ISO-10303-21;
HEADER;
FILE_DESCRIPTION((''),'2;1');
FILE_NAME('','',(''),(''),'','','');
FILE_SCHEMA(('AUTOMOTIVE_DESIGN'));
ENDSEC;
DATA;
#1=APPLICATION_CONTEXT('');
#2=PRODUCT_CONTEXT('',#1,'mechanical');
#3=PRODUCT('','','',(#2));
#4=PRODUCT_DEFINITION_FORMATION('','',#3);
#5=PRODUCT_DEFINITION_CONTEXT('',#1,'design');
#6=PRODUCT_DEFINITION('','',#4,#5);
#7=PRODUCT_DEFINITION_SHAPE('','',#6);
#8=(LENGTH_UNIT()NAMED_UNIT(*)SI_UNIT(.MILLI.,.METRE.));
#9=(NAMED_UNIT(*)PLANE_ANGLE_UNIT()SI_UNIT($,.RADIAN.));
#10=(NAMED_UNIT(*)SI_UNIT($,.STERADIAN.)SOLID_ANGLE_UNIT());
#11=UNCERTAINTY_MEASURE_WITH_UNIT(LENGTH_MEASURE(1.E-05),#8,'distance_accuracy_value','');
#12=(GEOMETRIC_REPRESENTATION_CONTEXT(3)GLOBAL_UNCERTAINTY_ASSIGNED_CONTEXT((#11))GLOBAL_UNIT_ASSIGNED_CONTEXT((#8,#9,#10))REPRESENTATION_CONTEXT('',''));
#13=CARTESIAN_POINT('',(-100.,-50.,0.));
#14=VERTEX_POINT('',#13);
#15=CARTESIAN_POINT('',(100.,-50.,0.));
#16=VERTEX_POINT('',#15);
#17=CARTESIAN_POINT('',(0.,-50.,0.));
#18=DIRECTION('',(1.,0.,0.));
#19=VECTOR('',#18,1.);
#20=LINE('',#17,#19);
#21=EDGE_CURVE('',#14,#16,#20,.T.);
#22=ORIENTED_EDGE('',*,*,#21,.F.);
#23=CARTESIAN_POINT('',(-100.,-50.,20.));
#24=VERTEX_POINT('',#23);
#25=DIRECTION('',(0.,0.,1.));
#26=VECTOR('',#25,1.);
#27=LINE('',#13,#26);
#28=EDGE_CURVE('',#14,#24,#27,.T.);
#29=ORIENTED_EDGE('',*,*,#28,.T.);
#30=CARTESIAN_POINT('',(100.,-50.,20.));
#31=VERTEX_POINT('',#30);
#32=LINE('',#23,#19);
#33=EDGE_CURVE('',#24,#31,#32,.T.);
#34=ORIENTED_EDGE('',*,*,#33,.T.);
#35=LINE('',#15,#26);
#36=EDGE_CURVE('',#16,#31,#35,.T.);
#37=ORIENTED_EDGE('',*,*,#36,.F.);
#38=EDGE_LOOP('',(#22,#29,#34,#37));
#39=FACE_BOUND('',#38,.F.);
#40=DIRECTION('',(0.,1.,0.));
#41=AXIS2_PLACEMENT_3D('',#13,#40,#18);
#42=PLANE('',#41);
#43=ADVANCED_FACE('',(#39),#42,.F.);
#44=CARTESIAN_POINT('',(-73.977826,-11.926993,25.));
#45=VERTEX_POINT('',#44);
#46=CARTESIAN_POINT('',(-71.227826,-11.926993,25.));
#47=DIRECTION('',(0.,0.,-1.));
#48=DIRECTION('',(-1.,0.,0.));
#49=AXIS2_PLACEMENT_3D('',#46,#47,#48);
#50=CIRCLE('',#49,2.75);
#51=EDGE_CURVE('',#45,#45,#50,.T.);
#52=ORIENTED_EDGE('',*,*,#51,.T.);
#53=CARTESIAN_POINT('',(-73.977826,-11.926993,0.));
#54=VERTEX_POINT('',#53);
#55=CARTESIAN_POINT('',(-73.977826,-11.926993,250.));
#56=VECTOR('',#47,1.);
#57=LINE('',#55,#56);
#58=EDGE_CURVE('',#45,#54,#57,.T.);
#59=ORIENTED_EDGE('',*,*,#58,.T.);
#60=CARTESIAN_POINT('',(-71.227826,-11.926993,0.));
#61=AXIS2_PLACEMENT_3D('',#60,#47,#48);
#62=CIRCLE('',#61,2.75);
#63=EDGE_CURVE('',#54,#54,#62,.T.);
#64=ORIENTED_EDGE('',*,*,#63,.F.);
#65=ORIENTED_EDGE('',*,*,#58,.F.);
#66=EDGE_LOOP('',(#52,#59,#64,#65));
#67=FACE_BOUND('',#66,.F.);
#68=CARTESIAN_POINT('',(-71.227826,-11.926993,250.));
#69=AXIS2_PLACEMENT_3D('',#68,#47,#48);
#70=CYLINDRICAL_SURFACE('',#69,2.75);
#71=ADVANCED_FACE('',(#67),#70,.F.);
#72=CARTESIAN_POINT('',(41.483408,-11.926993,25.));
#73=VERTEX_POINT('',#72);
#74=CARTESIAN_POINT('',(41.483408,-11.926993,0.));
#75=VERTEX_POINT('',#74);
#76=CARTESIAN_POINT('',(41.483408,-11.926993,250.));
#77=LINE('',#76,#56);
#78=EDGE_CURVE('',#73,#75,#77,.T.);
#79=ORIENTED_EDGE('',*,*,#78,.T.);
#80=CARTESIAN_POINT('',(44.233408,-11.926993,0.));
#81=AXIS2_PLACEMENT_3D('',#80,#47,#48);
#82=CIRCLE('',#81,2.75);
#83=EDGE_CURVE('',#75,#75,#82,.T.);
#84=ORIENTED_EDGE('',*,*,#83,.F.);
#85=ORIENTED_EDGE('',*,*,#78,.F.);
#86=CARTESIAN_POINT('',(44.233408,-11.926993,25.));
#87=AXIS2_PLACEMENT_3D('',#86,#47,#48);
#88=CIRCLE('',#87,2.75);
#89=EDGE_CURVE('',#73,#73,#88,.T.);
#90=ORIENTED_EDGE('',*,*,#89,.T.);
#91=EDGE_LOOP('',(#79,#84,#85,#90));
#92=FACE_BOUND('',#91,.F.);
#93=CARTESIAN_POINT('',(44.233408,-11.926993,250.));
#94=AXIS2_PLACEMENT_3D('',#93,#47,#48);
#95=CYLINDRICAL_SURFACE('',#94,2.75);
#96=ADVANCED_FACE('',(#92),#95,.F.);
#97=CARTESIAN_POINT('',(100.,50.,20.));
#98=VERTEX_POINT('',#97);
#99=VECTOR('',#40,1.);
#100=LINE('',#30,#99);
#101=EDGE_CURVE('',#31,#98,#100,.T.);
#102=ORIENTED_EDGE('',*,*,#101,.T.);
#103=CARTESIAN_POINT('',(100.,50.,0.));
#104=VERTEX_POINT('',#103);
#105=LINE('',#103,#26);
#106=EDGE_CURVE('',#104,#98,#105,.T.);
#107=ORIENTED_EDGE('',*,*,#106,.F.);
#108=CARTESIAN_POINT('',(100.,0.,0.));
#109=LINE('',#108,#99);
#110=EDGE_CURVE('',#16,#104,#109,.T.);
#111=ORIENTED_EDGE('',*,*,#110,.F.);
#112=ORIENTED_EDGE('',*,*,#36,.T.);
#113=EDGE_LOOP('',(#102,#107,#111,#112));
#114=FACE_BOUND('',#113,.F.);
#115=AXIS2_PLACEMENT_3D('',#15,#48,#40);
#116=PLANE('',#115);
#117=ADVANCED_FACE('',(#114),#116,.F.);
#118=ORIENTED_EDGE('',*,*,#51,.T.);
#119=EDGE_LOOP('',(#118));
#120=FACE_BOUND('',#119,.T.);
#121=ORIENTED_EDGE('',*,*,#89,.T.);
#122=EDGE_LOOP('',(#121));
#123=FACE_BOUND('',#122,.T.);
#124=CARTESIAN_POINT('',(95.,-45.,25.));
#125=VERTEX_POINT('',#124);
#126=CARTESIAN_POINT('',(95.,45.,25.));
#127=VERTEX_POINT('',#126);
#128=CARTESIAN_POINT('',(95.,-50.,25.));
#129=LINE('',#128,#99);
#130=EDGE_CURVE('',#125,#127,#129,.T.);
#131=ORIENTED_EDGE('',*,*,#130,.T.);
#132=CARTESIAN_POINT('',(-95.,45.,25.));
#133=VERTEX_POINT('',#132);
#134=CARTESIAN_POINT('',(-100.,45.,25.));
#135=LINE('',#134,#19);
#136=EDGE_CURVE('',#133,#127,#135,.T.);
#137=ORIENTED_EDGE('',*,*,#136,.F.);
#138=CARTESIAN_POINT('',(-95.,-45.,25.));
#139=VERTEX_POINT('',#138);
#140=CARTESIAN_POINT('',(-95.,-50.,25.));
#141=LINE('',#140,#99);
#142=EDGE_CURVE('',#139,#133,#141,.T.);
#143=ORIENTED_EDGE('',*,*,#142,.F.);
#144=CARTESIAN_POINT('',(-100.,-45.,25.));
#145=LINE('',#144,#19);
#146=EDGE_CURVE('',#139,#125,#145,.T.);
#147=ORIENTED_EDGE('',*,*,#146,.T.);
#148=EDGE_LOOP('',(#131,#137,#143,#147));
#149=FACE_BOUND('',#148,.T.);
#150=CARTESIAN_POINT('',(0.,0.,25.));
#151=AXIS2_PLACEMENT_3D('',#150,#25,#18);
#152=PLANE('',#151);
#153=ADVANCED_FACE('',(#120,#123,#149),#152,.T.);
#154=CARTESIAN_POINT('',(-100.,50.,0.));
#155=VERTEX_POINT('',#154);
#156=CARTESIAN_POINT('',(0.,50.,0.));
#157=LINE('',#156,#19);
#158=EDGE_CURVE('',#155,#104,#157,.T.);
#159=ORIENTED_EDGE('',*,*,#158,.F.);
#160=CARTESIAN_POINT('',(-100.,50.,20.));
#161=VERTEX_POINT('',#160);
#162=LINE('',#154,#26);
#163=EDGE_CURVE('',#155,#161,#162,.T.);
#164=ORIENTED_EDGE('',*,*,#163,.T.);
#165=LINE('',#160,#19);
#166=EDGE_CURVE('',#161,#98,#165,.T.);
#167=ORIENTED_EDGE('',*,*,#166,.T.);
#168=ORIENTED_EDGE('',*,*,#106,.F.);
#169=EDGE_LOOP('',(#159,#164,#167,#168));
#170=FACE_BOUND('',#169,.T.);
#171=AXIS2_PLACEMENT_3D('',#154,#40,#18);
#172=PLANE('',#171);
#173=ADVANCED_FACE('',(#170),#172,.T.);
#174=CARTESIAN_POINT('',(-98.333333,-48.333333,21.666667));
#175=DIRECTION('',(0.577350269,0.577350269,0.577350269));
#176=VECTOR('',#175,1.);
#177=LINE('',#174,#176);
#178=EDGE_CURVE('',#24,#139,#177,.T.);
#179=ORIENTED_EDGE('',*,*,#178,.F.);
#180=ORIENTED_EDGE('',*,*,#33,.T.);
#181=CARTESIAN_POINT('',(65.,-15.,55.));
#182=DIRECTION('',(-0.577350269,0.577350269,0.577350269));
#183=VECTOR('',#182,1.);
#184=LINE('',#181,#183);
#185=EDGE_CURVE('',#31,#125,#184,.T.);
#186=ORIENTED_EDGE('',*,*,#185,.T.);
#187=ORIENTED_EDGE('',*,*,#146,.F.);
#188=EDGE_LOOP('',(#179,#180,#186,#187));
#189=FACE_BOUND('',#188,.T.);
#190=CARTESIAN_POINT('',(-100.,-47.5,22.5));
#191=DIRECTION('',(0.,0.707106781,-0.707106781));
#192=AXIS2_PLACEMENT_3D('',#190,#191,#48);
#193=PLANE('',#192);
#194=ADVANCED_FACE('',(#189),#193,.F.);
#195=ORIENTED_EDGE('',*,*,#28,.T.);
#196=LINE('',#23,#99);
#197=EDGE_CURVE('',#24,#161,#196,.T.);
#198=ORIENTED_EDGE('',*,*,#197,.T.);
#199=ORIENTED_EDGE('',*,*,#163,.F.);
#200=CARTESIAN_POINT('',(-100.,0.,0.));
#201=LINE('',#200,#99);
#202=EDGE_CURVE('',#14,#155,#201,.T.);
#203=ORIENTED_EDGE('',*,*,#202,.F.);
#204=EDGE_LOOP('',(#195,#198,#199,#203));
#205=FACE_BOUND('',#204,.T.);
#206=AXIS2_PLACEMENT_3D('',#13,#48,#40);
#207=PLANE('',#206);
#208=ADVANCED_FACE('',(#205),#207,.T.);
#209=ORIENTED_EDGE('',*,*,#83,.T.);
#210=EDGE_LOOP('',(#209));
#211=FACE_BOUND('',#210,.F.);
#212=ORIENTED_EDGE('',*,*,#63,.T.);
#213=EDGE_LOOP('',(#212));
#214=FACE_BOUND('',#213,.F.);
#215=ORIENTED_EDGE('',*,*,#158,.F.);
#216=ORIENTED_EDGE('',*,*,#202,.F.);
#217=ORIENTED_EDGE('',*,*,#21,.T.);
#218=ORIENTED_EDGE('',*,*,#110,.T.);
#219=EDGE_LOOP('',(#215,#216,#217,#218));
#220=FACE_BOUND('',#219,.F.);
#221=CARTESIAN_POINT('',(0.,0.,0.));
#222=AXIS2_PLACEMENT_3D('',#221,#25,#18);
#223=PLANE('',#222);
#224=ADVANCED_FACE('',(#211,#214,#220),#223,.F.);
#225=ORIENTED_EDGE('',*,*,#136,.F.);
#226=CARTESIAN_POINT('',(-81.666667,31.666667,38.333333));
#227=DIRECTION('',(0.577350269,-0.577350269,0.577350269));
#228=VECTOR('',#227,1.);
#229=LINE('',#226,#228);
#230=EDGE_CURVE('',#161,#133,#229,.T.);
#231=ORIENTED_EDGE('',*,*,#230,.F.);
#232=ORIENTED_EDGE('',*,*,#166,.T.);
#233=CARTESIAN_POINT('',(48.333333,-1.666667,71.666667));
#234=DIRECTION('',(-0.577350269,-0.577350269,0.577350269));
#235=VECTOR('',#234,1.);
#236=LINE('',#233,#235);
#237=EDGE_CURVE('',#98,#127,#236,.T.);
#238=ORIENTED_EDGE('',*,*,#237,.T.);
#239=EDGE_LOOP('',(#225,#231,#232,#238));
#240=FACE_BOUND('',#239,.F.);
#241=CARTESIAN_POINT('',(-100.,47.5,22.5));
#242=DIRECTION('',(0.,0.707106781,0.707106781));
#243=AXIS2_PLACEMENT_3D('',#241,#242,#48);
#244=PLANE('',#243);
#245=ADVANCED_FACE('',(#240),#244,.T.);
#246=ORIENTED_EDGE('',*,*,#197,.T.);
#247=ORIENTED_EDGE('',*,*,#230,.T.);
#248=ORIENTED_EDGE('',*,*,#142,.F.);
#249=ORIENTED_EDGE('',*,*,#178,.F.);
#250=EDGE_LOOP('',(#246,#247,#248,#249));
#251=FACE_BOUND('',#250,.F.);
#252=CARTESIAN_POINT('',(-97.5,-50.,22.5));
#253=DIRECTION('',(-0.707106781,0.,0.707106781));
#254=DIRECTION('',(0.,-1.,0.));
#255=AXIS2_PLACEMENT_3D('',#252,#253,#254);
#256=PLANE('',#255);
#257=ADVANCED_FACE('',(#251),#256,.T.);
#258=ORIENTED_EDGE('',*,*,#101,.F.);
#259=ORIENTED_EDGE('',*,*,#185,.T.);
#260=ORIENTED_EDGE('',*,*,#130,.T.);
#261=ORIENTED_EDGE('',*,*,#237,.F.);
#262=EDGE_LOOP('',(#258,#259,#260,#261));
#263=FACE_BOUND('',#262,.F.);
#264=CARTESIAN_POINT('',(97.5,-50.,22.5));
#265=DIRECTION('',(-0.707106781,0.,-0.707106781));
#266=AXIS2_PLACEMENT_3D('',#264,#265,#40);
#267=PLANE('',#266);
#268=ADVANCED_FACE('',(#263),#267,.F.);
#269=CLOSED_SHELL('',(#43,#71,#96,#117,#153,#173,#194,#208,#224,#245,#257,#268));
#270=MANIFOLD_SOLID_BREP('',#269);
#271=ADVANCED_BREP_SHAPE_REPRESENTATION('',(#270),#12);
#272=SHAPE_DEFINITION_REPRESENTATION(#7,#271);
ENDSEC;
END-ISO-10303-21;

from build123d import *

# Parameters (mm, degrees)
F0_W     = 200
F0_H     = 100
F1_DEPTH = 25
F3_D     = 5.5
F4_SIZE  = 5


with BuildPart() as f1:
    # F0 (on Top) → F1 (new body)
    with BuildSketch(Plane.XY):
        Rectangle(F0_W, F0_H)
    extrude(amount=F1_DEPTH)

    # F3 (through all)
    with Locations(Plane.XY.offset(25)):
        with Locations((-71.2278261781, -11.9269927964), (44.2334078252, -11.9269927964)):
            Hole(F3_D / 2)

    # F4
    f4_edges = [f1.edges().sort_by_distance(p)[0] for p in [
        (0, -50, 25),
        (-100, 0, 25),
        (0, 50, 25),
        (100, 0, 25),
    ]]
    chamfer(f4_edges, length=F4_SIZE)


solid = f1.part
